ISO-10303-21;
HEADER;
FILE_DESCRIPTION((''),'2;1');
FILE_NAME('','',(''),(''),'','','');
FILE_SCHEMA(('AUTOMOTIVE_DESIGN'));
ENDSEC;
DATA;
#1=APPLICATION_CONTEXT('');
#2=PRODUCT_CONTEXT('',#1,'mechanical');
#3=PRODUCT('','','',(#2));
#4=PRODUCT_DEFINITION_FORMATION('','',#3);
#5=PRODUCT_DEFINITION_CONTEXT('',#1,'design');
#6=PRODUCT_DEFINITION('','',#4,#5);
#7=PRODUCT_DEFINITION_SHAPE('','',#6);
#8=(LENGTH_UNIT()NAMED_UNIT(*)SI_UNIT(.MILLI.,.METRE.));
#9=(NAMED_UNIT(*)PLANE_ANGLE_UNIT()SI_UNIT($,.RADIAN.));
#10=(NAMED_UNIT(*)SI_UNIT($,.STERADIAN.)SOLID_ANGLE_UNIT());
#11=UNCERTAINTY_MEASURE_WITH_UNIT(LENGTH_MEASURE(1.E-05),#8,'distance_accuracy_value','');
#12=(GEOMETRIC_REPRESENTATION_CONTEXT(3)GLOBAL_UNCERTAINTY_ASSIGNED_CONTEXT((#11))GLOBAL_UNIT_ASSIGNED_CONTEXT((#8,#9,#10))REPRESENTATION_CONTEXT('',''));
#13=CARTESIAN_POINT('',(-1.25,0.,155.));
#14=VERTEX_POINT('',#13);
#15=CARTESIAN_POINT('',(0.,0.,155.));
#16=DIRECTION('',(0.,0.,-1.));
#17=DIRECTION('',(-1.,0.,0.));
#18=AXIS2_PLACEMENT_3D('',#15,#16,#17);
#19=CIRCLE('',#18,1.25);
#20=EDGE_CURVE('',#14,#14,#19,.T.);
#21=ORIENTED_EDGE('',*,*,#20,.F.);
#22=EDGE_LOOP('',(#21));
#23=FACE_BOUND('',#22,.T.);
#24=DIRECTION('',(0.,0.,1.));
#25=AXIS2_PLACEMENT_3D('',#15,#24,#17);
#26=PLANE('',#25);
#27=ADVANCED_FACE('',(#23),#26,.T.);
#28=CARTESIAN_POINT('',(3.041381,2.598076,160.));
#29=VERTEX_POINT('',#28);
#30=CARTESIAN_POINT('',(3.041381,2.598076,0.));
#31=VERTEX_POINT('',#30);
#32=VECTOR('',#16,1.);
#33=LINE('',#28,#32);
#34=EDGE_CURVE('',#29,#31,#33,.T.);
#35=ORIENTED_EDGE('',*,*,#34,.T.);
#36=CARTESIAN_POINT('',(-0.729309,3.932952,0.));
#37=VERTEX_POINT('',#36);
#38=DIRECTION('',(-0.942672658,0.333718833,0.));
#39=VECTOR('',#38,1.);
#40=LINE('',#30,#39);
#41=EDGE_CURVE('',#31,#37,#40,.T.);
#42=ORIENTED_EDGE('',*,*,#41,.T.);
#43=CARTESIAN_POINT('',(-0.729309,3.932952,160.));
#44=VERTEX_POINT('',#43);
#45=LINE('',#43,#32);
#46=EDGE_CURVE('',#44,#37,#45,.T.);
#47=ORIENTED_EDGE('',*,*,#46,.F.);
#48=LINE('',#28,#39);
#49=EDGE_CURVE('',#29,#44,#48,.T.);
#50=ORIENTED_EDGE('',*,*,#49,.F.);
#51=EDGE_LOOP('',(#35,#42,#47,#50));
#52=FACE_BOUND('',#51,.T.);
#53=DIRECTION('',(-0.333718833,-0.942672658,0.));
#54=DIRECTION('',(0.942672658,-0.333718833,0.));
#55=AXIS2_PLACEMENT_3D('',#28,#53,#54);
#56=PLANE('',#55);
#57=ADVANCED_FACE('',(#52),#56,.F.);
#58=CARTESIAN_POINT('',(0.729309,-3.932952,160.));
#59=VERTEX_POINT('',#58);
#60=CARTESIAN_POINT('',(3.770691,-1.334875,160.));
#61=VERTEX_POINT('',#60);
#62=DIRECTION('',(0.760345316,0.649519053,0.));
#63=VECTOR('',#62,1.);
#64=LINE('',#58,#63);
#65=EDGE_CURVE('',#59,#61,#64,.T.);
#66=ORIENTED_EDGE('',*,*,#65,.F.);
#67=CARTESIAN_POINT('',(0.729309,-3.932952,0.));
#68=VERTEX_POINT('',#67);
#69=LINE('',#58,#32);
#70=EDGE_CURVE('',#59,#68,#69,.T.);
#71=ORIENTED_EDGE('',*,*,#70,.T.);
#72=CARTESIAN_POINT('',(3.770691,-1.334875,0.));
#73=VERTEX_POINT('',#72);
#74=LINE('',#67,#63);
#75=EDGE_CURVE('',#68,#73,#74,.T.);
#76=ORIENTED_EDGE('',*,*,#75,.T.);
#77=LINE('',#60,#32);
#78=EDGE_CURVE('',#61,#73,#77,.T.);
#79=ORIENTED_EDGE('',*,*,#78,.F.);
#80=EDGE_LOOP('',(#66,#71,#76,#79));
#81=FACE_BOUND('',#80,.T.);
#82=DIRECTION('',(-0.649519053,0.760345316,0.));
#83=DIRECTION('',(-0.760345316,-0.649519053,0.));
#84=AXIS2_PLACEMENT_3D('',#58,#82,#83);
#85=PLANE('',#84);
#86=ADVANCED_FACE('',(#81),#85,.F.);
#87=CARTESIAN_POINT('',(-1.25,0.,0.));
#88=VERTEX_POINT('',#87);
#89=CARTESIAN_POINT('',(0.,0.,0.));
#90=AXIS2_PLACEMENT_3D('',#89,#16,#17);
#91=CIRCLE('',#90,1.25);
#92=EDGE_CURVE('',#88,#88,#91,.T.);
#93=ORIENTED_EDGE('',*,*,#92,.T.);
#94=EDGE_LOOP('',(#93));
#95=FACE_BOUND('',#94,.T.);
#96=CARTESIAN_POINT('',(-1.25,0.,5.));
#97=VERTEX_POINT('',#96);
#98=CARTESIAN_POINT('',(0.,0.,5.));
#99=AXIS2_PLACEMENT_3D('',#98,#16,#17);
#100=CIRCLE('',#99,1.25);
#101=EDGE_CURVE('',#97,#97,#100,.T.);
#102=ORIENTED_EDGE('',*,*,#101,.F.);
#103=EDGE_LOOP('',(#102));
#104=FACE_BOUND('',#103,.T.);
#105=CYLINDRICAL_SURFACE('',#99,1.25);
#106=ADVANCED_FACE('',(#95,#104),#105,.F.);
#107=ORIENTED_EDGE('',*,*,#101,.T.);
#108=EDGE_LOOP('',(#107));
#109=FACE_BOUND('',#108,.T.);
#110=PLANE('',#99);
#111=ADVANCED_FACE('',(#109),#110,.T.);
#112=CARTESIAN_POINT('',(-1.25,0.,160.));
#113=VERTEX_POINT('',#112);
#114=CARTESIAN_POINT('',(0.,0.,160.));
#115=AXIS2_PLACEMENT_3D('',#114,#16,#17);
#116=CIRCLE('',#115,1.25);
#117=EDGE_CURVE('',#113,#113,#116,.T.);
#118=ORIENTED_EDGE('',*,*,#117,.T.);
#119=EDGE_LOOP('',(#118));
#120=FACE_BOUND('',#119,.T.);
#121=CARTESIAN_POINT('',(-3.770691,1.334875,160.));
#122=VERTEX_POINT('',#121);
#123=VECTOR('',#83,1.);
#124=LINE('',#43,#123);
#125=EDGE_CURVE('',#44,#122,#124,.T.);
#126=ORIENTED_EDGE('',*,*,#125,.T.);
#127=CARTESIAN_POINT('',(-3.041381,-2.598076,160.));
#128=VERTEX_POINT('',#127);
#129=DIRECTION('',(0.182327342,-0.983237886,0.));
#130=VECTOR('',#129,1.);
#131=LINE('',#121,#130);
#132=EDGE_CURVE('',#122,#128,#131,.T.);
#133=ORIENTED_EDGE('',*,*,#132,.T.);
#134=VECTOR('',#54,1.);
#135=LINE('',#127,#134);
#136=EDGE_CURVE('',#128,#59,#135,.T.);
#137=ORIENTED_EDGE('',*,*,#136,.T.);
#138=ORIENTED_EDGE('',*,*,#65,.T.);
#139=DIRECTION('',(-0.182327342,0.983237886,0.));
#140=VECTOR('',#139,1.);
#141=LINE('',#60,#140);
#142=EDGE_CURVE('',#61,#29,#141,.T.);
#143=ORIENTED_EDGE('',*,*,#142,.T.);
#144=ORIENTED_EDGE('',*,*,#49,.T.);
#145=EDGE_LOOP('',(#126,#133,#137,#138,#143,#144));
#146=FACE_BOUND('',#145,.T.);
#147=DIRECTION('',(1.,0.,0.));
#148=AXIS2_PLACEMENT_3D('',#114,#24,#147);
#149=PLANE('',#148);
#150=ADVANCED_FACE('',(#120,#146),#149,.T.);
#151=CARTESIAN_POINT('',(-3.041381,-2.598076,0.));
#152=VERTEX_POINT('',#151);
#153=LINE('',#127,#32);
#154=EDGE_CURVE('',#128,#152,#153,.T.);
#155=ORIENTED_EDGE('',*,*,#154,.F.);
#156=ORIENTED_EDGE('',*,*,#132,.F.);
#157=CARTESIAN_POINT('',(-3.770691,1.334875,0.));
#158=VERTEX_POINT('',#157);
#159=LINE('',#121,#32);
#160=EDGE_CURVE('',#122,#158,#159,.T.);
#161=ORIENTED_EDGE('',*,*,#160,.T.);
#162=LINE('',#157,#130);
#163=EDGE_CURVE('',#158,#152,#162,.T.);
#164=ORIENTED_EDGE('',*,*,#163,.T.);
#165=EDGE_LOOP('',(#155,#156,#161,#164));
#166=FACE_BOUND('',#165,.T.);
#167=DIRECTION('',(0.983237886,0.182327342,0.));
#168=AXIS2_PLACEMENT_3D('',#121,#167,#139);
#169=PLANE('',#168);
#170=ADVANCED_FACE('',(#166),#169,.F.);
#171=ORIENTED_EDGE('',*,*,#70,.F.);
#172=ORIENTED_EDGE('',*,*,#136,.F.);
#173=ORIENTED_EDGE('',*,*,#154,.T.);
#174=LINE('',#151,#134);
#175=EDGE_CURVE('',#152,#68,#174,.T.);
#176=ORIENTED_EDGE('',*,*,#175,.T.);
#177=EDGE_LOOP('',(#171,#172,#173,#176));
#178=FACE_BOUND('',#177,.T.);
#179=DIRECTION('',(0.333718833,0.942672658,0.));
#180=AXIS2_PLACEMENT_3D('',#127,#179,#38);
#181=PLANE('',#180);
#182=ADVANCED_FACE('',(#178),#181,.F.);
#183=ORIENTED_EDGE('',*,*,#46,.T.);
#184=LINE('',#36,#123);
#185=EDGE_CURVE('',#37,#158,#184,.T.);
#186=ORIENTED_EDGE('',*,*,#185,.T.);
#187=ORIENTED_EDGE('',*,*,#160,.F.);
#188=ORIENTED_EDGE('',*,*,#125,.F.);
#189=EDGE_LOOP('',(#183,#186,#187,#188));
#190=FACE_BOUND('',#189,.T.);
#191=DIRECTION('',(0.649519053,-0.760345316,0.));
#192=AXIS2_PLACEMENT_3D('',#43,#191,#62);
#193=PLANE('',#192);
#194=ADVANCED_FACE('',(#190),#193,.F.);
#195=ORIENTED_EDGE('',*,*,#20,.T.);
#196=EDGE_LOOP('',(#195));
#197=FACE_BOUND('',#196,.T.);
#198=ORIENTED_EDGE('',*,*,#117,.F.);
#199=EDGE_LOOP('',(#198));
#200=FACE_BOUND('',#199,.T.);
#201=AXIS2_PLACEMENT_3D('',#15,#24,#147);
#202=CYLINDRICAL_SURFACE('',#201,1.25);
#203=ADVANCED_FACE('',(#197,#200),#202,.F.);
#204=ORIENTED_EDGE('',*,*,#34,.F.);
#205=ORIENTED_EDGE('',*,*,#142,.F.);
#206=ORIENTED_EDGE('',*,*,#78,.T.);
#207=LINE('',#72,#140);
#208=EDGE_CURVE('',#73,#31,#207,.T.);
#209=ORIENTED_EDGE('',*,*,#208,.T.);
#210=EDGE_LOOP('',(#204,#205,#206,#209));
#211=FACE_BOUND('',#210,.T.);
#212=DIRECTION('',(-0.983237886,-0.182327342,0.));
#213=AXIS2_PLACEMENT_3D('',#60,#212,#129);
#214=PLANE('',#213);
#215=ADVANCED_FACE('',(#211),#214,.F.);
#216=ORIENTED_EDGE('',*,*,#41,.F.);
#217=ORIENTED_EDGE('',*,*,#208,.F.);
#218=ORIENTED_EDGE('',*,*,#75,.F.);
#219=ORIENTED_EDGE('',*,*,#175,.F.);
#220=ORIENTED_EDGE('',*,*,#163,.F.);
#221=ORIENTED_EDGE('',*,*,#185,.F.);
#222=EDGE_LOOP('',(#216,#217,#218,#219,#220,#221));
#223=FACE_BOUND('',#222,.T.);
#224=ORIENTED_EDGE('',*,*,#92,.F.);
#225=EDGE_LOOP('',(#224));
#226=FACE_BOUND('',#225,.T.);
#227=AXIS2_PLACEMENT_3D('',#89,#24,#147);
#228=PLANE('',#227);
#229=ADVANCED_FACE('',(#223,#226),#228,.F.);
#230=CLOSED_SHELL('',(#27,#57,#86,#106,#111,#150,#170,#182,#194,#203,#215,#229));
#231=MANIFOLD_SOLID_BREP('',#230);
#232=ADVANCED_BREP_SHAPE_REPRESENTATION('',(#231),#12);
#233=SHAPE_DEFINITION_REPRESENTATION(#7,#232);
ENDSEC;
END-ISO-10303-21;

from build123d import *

# Parameters (mm, degrees)
BOSS_EXTRUDE1_DEPTH = 160
SKETCH4_R           = 1.25
CUT_EXTRUDE1_DEPTH  = 5


with BuildPart() as part:
    # Sketch1 → Boss-Extrude1 (new body)
    with BuildSketch(Plane.XY):
        Polygon((3.770690633, -1.334875333), (3.041381265, 2.598076211), (-0.729309367, 3.932951544), (-3.770690633, 1.334875333), (-3.041381265, -2.598076211), (0.729309367, -3.932951544), align=None)
    extrude(amount=BOSS_EXTRUDE1_DEPTH)

    # Sketch4 → Cut-Extrude1 (cut)
    with BuildSketch(Plane(origin=(0, 0, 0), x_dir=(-1, 0, 0), z_dir=(0, 0, -1))):
        Circle(SKETCH4_R)
    cut_extrude1 = extrude(amount=-CUT_EXTRUDE1_DEPTH, mode=Mode.SUBTRACT)

    # Mirror1: Cut-Extrude1 across plane
    add(cut_extrude1.mirror(Plane.XY.offset(80)), mode=Mode.SUBTRACT)


solid = part.part
